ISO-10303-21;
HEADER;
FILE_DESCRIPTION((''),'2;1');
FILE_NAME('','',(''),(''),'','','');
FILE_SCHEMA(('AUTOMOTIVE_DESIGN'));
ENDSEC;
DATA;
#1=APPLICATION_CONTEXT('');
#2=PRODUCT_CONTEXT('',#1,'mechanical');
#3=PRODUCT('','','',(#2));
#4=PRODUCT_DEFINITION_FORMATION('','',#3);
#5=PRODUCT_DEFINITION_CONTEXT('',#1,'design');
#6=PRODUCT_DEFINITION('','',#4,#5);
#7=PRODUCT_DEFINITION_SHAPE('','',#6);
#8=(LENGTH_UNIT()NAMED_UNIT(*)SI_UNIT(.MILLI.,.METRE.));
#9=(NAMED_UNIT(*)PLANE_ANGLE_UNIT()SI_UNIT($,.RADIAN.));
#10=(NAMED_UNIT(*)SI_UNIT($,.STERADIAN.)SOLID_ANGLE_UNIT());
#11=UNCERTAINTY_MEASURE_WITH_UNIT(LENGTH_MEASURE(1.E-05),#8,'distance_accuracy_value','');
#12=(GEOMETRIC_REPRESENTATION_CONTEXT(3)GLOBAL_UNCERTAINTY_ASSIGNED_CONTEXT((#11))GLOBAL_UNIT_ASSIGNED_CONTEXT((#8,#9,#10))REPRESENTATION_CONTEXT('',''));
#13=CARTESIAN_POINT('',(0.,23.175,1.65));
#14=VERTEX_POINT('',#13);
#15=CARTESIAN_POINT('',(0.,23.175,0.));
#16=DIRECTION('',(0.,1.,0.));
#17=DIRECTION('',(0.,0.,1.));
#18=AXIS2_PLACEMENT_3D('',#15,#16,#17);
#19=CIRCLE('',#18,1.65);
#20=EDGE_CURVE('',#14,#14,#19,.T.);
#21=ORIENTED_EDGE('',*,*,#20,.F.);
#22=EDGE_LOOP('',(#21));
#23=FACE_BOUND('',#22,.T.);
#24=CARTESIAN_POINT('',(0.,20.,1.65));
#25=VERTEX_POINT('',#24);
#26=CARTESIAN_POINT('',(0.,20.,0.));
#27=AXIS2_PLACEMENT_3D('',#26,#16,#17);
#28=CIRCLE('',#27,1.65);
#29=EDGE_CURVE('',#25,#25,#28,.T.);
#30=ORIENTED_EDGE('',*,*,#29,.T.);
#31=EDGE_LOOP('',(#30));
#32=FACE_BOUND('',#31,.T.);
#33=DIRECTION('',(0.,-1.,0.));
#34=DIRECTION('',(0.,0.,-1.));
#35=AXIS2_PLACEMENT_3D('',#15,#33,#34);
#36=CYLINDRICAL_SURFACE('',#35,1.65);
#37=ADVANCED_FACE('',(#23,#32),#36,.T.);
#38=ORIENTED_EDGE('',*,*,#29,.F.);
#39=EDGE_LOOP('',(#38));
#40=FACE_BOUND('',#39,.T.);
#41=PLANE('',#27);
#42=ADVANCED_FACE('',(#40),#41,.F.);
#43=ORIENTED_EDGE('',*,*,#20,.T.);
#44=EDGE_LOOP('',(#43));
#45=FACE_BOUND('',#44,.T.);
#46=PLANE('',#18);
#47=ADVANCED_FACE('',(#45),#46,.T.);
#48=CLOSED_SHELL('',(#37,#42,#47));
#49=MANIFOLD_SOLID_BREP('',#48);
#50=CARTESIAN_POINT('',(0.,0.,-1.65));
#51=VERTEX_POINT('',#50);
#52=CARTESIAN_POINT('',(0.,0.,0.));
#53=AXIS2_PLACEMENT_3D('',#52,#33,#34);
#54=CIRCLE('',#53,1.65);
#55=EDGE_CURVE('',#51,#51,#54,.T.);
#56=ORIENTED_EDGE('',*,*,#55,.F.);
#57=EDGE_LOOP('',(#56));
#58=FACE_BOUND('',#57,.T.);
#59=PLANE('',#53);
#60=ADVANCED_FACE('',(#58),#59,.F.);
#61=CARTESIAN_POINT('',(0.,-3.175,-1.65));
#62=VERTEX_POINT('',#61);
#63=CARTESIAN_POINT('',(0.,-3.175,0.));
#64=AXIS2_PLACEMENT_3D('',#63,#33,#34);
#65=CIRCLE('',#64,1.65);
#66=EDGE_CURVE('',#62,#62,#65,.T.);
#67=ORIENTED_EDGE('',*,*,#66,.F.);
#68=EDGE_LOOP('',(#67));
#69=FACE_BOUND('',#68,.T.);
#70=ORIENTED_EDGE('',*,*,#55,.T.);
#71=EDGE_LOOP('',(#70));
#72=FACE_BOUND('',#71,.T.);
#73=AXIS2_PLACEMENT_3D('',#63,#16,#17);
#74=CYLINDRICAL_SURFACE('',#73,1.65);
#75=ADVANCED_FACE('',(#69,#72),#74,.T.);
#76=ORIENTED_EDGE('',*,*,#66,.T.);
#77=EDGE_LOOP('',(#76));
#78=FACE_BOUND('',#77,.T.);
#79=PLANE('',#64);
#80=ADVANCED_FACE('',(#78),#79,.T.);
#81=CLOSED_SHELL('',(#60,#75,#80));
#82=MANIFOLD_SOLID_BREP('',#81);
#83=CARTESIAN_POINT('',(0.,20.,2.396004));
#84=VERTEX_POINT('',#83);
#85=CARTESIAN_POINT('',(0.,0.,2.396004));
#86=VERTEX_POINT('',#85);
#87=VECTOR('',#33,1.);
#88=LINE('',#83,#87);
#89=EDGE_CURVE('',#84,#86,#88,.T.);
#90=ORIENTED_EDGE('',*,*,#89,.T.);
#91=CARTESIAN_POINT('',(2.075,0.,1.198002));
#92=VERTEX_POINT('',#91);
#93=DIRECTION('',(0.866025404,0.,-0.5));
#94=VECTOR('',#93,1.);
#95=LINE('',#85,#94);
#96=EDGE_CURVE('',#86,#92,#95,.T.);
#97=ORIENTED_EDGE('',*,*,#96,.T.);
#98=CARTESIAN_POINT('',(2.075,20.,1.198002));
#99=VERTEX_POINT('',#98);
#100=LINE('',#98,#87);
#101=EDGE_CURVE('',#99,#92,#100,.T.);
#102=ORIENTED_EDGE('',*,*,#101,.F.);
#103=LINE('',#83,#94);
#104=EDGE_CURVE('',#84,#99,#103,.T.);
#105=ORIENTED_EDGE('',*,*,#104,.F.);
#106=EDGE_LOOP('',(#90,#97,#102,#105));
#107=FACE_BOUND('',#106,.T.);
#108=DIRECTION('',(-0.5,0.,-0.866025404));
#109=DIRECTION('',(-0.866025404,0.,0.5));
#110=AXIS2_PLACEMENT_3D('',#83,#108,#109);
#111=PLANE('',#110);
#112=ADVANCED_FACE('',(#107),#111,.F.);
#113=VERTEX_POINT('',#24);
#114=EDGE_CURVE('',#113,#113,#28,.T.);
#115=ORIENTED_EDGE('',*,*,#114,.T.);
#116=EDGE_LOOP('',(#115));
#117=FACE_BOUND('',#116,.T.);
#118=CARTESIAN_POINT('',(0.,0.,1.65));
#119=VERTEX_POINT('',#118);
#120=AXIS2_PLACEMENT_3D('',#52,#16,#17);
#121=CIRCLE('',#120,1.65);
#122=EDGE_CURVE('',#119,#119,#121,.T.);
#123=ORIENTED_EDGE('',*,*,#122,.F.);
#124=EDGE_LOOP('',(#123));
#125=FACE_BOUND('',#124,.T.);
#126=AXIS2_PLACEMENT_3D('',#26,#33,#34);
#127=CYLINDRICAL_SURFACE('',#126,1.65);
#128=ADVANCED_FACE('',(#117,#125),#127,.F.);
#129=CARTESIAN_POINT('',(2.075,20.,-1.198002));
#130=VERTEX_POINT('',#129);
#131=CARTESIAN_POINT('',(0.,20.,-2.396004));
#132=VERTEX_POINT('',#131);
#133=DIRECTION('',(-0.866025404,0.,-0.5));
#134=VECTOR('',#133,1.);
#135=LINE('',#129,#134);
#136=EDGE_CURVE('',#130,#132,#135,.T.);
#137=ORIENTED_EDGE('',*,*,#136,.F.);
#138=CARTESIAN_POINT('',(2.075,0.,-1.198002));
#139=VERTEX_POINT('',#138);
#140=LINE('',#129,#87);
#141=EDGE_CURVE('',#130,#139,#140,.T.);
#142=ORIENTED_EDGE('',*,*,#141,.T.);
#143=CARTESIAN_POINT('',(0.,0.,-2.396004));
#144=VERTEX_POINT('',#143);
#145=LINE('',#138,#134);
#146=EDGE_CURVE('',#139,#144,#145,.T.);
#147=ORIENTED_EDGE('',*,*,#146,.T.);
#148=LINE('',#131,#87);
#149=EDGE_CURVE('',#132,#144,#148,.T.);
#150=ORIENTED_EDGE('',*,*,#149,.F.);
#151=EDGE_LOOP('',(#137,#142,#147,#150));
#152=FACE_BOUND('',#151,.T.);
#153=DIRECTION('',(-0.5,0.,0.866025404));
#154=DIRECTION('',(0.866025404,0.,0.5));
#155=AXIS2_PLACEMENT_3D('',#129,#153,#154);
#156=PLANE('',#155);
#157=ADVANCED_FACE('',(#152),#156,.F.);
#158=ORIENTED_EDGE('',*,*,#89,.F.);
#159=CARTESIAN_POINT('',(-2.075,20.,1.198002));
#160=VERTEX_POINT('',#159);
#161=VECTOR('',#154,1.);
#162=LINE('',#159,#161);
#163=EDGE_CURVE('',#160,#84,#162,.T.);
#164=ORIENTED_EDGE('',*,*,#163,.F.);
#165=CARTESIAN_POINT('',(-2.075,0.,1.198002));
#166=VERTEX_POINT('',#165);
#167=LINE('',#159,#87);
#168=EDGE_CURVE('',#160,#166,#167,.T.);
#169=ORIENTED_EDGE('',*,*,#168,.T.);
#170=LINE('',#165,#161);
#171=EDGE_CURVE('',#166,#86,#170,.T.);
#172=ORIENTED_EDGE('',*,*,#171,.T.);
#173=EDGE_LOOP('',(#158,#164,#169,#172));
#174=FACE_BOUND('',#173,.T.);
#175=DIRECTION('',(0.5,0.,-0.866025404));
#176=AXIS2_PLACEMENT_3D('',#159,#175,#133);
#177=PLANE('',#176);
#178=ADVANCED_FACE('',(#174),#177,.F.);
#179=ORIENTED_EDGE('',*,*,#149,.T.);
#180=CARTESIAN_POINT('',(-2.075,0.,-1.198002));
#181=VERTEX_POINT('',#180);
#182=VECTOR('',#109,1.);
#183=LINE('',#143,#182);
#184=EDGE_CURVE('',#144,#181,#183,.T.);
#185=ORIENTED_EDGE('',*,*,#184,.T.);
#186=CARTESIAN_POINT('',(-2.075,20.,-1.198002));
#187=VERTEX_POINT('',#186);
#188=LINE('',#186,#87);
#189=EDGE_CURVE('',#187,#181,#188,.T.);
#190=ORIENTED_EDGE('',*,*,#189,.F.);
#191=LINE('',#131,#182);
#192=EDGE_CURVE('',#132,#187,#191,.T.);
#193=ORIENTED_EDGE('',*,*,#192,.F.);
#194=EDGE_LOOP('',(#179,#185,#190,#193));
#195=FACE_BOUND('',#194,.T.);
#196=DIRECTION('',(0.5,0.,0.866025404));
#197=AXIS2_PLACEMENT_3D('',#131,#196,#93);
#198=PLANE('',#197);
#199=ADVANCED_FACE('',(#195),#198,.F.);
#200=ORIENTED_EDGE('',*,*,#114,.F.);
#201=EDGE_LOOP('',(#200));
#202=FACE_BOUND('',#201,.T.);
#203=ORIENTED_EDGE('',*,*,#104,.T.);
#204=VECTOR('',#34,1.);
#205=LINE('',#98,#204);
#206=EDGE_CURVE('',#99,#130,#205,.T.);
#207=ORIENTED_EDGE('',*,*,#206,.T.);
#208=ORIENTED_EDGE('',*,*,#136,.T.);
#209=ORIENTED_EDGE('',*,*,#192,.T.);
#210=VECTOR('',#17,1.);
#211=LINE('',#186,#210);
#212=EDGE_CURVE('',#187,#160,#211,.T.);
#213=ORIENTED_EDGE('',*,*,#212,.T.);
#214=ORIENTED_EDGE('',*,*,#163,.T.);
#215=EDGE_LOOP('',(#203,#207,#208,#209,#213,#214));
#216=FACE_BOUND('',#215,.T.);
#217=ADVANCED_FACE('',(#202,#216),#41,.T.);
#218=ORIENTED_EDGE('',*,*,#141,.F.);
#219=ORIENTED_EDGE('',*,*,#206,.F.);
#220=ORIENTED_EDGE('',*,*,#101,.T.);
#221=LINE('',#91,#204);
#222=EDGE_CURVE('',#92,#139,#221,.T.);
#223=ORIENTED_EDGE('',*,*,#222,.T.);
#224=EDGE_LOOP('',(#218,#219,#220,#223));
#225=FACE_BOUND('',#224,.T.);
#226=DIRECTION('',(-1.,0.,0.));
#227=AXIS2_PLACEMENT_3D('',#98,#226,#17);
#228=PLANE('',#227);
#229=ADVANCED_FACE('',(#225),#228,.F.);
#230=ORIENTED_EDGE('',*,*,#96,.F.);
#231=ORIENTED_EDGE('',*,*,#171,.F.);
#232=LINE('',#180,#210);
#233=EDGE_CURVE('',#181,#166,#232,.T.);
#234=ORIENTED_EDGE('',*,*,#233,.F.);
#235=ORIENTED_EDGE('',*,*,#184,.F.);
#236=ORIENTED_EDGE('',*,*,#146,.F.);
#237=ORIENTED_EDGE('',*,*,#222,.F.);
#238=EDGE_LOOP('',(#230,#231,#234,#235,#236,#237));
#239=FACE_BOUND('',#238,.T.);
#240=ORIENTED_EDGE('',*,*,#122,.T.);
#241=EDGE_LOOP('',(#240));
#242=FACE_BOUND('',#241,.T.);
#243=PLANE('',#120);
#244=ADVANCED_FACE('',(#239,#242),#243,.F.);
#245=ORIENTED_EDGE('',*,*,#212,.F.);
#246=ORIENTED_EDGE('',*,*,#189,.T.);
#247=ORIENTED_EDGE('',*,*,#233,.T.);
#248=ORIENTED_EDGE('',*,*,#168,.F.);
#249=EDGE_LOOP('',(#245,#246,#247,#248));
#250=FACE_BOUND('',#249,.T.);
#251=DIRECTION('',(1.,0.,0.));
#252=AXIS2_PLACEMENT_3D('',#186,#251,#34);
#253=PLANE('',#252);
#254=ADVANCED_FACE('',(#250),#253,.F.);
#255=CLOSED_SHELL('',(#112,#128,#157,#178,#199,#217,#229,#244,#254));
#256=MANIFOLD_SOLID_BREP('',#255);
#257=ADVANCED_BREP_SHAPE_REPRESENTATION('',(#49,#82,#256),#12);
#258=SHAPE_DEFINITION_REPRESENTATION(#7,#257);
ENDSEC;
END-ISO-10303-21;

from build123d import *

# Parameters (mm, degrees)
SKETCH1_R           = 1.65
BOSS_EXTRUDE1_DEPTH = 20
SKETCH2_R           = 1.65
BOSS_EXTRUDE2_DEPTH = 3.175
SKETCH3_R           = 1.65
BOSS_EXTRUDE3_DEPTH = 3.175


with BuildPart() as part:
    # Sketch1 → Boss-Extrude1 (new body)
    with BuildSketch(Plane(origin=(0, 0, 0), x_dir=(1, 0, 0), z_dir=(0, 1, 0))):
        Polygon((0, -2.396003617), (2.075, -1.198001809), (2.075, 1.198001809), (0, 2.396003617), (-2.075, 1.198001809), (-2.075, -1.198001809), align=None)
        Circle(SKETCH1_R, mode=Mode.SUBTRACT)
    extrude(amount=BOSS_EXTRUDE1_DEPTH)


with BuildPart() as body_2:
    # Sketch2 → Boss-Extrude2 (new body)
    with BuildSketch(Plane.XZ):
        Circle(SKETCH2_R)
    extrude(amount=BOSS_EXTRUDE2_DEPTH)


with BuildPart() as body_3:
    # Sketch3 → Boss-Extrude3 (new body)
    with BuildSketch(Plane(origin=(0, 20, 0), x_dir=(1, 0, 0), z_dir=(0, 1, 0))):
        Circle(SKETCH3_R)
    extrude(amount=BOSS_EXTRUDE3_DEPTH)


solid = Compound([part.part, body_2.part, body_3.part])
